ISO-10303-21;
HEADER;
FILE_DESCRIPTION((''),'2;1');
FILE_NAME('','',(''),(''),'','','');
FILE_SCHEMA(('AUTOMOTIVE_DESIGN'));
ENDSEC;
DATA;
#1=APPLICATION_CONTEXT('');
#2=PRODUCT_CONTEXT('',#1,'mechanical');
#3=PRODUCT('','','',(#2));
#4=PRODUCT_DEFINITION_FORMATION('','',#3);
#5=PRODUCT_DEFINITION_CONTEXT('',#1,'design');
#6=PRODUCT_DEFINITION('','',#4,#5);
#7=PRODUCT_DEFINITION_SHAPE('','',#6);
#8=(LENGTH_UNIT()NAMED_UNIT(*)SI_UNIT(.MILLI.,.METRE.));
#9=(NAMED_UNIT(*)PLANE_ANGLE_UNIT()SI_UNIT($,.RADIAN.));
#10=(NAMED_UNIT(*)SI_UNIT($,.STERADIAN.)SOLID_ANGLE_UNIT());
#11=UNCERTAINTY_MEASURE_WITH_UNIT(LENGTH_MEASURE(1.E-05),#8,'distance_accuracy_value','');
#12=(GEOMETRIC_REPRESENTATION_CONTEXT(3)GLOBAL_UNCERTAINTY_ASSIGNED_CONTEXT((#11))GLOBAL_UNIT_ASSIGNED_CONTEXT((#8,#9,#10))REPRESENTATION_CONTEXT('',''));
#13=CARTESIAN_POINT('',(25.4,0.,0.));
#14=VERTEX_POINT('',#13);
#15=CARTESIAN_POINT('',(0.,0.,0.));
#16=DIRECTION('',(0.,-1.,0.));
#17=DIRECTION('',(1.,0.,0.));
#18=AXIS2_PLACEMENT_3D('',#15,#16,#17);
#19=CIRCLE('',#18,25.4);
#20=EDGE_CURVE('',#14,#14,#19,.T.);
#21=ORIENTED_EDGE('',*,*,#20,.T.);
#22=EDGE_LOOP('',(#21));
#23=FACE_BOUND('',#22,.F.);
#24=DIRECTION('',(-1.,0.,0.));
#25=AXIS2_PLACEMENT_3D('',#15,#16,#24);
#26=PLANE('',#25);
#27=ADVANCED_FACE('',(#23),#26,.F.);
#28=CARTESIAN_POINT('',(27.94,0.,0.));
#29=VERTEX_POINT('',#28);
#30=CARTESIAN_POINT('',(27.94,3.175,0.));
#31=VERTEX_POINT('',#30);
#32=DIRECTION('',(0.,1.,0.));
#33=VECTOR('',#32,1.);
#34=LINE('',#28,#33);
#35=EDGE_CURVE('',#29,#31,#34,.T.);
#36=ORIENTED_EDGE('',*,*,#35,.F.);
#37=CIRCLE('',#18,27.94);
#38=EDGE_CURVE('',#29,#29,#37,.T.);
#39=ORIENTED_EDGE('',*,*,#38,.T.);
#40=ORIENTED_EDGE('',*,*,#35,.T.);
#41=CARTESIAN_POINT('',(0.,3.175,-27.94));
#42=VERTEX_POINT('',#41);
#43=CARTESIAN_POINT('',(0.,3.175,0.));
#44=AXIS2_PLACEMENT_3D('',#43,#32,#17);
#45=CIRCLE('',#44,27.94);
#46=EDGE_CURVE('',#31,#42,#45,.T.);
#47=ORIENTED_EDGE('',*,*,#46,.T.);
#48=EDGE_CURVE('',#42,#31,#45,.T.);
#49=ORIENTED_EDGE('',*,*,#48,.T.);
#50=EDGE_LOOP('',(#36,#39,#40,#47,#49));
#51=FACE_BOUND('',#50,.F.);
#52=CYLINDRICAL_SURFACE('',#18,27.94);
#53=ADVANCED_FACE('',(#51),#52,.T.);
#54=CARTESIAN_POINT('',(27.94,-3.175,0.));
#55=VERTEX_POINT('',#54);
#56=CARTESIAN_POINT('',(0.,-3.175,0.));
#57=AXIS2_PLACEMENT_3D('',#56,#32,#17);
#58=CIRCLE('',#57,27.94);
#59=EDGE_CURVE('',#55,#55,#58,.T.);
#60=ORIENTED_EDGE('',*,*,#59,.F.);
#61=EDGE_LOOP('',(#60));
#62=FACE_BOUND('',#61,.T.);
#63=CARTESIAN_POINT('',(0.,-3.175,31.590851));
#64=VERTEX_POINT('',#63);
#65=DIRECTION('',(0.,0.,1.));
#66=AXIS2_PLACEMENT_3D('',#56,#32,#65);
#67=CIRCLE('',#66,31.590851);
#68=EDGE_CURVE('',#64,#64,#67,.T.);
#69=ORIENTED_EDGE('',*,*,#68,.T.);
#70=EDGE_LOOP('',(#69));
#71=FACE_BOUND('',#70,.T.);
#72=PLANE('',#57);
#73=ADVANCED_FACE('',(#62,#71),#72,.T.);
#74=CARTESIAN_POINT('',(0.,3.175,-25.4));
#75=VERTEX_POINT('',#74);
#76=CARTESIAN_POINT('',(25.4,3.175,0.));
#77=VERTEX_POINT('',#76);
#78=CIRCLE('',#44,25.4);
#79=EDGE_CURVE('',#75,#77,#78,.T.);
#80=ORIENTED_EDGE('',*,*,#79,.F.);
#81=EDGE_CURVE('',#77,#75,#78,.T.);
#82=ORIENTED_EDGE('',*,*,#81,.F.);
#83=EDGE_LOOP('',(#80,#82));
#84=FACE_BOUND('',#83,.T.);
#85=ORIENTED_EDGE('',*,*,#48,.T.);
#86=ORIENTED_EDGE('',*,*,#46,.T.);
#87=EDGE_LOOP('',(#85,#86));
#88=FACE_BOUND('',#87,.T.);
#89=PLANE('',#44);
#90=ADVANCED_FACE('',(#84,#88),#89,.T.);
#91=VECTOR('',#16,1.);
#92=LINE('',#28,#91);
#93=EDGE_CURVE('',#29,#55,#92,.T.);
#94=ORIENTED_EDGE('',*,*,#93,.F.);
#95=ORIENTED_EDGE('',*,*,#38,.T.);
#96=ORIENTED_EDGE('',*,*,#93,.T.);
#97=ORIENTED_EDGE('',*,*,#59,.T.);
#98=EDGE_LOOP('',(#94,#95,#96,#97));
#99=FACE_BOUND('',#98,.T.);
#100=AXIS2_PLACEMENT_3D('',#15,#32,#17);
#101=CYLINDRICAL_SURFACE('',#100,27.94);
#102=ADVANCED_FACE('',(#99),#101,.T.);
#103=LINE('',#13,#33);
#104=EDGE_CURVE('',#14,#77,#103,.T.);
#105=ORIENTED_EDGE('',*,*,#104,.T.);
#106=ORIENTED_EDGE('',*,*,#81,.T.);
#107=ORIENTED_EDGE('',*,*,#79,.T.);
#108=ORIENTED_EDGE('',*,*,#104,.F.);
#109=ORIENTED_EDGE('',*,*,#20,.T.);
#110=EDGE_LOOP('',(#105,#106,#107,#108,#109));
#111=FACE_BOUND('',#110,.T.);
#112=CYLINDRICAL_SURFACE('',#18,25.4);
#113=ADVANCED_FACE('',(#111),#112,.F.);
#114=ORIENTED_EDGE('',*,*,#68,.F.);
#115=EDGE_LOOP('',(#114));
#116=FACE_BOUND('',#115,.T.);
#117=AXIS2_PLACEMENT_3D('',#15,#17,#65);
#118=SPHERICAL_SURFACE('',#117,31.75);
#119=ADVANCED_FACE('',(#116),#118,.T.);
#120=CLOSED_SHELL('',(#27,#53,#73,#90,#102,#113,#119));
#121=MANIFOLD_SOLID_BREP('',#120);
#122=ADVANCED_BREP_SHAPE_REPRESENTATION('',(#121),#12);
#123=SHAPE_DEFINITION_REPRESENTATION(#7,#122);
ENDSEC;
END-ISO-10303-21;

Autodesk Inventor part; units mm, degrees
ref_plane "YZ Plane" through (0, 0, 0) normal (1, 0, 0) x (0, 1, 0)
ref_plane "XZ Plane" through (0, 0, 0) normal (0, 1, 0) x (-1, 0, 0)
ref_plane "XY Plane" through (0, 0, 0) normal (0, 0, 1) x (1, 0, 0)
sketch "Sketch1" plane through (0, 0, 0) normal (0, 1, 0) x (-1, 0, 0)
  arc A0 (31.75, 0) -> (-31.75, 0) centre (0, 0) ccw
  line L0 (0, 0) -> (-31.75, 0) construction
  line L1 (0, 0) -> (31.75, 0) construction
  line L2 (31.75, 0) -> (-31.75, 0)
  dimension "d0" = 31.75
  dimension "d1" = 180
revolve "Revolution1" add sketch "Sketch1" angle 180 about axis through (-31.75, 0, 0) along (1, 0, 0)
sketch "Sketch2" plane through (0, 0, 0) normal (0, 1, 0) x (1, 0, 0)
  line L0 (0, 0) -> (0, 27.94)
  line L1 (0, 0) -> (0, 25.4)
  circle A0 centre (0, 0) radius 27.94
  circle A1 centre (0, 0) radius 25.4
  dimension "d3" = 27.94
  dimension "d4" = 25.4
extrude "Extrusion1" add sketch "Sketch2" along normal blind 3.175
sketch "Sketch3" plane through (0, 0, 0) normal (0, 1, 0) x (1, 0, 0)
  circle A0 centre (0, 0) radius 27.94
  circle A1 centre (0, 0) radius 31.75
extrude "Extrusion2" cut sketch "Sketch3" against normal blind 3.175
properties part number "bottom ball bottom"
